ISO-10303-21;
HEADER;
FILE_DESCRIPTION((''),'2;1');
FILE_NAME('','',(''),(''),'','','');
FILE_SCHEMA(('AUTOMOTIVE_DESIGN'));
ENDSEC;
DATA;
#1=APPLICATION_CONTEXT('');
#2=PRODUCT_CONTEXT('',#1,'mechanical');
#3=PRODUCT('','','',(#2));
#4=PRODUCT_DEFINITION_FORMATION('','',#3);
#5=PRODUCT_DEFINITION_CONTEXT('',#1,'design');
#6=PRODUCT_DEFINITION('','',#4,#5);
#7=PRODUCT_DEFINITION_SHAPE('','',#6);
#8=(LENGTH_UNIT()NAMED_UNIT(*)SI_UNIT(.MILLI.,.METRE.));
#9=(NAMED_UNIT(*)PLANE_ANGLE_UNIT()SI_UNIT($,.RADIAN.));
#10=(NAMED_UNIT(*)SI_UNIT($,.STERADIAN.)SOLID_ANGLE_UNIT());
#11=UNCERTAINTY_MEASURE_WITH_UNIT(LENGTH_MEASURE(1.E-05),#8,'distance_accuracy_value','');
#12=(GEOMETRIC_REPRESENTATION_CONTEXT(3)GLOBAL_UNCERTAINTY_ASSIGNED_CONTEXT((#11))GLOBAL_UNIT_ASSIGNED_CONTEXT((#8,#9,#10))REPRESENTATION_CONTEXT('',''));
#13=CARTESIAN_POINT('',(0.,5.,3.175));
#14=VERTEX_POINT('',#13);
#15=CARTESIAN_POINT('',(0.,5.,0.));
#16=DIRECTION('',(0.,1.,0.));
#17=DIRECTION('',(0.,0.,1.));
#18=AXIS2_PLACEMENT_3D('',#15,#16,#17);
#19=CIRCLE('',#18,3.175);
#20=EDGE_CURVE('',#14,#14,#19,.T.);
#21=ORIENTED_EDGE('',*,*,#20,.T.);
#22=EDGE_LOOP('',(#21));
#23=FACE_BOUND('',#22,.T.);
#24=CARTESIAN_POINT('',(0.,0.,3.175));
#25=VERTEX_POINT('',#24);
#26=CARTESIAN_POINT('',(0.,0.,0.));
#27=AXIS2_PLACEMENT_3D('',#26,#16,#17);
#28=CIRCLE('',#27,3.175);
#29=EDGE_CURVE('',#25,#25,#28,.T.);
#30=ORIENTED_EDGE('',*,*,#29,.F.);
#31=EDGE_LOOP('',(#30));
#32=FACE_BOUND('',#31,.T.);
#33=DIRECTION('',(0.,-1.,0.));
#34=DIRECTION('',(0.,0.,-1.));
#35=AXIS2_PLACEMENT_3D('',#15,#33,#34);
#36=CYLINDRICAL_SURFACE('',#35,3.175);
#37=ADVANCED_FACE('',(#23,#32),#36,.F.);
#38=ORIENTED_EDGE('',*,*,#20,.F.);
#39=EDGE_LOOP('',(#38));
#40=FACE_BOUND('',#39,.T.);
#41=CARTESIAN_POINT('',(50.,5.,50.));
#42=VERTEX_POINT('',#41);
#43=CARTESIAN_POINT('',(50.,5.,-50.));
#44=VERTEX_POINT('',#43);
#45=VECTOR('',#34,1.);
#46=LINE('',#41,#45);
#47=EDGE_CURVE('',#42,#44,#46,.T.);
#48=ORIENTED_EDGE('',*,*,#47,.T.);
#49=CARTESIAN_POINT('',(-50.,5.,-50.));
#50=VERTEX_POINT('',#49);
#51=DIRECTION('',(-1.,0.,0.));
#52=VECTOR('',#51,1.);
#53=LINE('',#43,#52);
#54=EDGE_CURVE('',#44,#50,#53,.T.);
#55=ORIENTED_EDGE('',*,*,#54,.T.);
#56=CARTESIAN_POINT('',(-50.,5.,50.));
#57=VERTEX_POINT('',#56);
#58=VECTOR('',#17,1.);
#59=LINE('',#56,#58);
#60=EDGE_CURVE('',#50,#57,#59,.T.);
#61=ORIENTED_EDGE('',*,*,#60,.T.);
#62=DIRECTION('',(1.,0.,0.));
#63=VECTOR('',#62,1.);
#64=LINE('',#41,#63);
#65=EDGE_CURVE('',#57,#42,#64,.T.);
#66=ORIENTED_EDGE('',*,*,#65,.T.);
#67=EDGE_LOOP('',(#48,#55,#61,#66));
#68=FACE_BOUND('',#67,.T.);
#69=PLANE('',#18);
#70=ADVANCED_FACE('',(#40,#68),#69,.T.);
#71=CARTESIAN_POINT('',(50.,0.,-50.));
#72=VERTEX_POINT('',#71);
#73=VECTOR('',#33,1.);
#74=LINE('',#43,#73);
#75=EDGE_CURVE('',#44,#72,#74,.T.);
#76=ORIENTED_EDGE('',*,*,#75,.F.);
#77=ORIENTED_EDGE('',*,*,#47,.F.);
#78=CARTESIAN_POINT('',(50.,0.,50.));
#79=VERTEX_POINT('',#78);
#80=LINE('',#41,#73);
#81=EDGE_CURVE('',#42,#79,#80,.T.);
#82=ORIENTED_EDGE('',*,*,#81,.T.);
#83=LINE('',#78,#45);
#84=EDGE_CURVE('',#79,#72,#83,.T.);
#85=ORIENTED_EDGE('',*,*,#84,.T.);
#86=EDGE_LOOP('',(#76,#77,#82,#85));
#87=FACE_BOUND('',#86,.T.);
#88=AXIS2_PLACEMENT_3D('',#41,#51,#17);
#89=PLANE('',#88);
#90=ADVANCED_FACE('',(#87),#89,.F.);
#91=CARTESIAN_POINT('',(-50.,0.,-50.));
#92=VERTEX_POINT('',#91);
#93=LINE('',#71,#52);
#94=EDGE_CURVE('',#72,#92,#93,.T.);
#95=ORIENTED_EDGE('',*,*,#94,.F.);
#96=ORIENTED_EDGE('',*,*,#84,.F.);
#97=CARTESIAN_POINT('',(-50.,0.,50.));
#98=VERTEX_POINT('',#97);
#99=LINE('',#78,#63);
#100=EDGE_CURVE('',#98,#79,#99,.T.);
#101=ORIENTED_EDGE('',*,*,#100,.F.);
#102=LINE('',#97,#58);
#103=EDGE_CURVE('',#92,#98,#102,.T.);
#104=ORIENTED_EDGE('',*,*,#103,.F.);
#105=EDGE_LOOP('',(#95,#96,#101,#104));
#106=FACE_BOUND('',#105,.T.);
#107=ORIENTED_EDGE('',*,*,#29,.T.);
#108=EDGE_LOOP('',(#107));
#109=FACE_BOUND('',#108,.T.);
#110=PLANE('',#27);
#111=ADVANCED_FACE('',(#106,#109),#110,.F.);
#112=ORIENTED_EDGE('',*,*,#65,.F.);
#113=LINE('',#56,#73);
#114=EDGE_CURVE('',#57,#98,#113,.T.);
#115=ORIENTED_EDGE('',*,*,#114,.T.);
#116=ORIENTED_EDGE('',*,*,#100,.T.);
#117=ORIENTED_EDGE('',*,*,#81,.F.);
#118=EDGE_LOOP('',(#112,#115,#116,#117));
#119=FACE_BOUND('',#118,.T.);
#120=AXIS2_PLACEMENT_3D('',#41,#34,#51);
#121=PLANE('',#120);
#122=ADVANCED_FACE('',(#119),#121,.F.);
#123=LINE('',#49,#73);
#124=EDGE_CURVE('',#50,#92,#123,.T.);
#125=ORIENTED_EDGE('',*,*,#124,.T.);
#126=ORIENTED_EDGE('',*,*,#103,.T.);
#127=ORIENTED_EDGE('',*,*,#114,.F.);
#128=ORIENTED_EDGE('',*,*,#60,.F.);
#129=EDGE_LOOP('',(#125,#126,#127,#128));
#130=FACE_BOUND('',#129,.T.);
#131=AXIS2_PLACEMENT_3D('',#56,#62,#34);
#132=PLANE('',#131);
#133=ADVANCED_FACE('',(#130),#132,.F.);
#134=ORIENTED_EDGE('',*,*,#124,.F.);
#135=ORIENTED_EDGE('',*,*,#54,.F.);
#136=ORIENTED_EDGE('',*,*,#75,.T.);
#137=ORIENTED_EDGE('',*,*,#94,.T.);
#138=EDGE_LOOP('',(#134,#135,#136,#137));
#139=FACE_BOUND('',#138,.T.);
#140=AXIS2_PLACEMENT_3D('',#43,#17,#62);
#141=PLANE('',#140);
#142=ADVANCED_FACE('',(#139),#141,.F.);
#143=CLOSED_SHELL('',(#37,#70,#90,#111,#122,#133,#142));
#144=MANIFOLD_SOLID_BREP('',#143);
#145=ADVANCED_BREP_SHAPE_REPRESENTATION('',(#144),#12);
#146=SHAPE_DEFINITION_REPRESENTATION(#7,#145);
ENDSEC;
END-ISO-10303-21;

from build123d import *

# Parameters (mm, degrees)
SKETCH1_W           = 100
SKETCH1_H           = 100
SKETCH1_R           = 3.175
BOSS_EXTRUDE1_DEPTH = 5


with BuildPart() as part:
    # Sketch1 → Boss-Extrude1 (new body)
    with BuildSketch(Plane(origin=(0, 0, 0), x_dir=(1, 0, 0), z_dir=(0, 1, 0))):
        Rectangle(SKETCH1_W, SKETCH1_H)
        with Locations(Location((0, 0, 0), (0, 0, 270))):
            Circle(SKETCH1_R, mode=Mode.SUBTRACT)
    extrude(amount=BOSS_EXTRUDE1_DEPTH)


solid = part.part
